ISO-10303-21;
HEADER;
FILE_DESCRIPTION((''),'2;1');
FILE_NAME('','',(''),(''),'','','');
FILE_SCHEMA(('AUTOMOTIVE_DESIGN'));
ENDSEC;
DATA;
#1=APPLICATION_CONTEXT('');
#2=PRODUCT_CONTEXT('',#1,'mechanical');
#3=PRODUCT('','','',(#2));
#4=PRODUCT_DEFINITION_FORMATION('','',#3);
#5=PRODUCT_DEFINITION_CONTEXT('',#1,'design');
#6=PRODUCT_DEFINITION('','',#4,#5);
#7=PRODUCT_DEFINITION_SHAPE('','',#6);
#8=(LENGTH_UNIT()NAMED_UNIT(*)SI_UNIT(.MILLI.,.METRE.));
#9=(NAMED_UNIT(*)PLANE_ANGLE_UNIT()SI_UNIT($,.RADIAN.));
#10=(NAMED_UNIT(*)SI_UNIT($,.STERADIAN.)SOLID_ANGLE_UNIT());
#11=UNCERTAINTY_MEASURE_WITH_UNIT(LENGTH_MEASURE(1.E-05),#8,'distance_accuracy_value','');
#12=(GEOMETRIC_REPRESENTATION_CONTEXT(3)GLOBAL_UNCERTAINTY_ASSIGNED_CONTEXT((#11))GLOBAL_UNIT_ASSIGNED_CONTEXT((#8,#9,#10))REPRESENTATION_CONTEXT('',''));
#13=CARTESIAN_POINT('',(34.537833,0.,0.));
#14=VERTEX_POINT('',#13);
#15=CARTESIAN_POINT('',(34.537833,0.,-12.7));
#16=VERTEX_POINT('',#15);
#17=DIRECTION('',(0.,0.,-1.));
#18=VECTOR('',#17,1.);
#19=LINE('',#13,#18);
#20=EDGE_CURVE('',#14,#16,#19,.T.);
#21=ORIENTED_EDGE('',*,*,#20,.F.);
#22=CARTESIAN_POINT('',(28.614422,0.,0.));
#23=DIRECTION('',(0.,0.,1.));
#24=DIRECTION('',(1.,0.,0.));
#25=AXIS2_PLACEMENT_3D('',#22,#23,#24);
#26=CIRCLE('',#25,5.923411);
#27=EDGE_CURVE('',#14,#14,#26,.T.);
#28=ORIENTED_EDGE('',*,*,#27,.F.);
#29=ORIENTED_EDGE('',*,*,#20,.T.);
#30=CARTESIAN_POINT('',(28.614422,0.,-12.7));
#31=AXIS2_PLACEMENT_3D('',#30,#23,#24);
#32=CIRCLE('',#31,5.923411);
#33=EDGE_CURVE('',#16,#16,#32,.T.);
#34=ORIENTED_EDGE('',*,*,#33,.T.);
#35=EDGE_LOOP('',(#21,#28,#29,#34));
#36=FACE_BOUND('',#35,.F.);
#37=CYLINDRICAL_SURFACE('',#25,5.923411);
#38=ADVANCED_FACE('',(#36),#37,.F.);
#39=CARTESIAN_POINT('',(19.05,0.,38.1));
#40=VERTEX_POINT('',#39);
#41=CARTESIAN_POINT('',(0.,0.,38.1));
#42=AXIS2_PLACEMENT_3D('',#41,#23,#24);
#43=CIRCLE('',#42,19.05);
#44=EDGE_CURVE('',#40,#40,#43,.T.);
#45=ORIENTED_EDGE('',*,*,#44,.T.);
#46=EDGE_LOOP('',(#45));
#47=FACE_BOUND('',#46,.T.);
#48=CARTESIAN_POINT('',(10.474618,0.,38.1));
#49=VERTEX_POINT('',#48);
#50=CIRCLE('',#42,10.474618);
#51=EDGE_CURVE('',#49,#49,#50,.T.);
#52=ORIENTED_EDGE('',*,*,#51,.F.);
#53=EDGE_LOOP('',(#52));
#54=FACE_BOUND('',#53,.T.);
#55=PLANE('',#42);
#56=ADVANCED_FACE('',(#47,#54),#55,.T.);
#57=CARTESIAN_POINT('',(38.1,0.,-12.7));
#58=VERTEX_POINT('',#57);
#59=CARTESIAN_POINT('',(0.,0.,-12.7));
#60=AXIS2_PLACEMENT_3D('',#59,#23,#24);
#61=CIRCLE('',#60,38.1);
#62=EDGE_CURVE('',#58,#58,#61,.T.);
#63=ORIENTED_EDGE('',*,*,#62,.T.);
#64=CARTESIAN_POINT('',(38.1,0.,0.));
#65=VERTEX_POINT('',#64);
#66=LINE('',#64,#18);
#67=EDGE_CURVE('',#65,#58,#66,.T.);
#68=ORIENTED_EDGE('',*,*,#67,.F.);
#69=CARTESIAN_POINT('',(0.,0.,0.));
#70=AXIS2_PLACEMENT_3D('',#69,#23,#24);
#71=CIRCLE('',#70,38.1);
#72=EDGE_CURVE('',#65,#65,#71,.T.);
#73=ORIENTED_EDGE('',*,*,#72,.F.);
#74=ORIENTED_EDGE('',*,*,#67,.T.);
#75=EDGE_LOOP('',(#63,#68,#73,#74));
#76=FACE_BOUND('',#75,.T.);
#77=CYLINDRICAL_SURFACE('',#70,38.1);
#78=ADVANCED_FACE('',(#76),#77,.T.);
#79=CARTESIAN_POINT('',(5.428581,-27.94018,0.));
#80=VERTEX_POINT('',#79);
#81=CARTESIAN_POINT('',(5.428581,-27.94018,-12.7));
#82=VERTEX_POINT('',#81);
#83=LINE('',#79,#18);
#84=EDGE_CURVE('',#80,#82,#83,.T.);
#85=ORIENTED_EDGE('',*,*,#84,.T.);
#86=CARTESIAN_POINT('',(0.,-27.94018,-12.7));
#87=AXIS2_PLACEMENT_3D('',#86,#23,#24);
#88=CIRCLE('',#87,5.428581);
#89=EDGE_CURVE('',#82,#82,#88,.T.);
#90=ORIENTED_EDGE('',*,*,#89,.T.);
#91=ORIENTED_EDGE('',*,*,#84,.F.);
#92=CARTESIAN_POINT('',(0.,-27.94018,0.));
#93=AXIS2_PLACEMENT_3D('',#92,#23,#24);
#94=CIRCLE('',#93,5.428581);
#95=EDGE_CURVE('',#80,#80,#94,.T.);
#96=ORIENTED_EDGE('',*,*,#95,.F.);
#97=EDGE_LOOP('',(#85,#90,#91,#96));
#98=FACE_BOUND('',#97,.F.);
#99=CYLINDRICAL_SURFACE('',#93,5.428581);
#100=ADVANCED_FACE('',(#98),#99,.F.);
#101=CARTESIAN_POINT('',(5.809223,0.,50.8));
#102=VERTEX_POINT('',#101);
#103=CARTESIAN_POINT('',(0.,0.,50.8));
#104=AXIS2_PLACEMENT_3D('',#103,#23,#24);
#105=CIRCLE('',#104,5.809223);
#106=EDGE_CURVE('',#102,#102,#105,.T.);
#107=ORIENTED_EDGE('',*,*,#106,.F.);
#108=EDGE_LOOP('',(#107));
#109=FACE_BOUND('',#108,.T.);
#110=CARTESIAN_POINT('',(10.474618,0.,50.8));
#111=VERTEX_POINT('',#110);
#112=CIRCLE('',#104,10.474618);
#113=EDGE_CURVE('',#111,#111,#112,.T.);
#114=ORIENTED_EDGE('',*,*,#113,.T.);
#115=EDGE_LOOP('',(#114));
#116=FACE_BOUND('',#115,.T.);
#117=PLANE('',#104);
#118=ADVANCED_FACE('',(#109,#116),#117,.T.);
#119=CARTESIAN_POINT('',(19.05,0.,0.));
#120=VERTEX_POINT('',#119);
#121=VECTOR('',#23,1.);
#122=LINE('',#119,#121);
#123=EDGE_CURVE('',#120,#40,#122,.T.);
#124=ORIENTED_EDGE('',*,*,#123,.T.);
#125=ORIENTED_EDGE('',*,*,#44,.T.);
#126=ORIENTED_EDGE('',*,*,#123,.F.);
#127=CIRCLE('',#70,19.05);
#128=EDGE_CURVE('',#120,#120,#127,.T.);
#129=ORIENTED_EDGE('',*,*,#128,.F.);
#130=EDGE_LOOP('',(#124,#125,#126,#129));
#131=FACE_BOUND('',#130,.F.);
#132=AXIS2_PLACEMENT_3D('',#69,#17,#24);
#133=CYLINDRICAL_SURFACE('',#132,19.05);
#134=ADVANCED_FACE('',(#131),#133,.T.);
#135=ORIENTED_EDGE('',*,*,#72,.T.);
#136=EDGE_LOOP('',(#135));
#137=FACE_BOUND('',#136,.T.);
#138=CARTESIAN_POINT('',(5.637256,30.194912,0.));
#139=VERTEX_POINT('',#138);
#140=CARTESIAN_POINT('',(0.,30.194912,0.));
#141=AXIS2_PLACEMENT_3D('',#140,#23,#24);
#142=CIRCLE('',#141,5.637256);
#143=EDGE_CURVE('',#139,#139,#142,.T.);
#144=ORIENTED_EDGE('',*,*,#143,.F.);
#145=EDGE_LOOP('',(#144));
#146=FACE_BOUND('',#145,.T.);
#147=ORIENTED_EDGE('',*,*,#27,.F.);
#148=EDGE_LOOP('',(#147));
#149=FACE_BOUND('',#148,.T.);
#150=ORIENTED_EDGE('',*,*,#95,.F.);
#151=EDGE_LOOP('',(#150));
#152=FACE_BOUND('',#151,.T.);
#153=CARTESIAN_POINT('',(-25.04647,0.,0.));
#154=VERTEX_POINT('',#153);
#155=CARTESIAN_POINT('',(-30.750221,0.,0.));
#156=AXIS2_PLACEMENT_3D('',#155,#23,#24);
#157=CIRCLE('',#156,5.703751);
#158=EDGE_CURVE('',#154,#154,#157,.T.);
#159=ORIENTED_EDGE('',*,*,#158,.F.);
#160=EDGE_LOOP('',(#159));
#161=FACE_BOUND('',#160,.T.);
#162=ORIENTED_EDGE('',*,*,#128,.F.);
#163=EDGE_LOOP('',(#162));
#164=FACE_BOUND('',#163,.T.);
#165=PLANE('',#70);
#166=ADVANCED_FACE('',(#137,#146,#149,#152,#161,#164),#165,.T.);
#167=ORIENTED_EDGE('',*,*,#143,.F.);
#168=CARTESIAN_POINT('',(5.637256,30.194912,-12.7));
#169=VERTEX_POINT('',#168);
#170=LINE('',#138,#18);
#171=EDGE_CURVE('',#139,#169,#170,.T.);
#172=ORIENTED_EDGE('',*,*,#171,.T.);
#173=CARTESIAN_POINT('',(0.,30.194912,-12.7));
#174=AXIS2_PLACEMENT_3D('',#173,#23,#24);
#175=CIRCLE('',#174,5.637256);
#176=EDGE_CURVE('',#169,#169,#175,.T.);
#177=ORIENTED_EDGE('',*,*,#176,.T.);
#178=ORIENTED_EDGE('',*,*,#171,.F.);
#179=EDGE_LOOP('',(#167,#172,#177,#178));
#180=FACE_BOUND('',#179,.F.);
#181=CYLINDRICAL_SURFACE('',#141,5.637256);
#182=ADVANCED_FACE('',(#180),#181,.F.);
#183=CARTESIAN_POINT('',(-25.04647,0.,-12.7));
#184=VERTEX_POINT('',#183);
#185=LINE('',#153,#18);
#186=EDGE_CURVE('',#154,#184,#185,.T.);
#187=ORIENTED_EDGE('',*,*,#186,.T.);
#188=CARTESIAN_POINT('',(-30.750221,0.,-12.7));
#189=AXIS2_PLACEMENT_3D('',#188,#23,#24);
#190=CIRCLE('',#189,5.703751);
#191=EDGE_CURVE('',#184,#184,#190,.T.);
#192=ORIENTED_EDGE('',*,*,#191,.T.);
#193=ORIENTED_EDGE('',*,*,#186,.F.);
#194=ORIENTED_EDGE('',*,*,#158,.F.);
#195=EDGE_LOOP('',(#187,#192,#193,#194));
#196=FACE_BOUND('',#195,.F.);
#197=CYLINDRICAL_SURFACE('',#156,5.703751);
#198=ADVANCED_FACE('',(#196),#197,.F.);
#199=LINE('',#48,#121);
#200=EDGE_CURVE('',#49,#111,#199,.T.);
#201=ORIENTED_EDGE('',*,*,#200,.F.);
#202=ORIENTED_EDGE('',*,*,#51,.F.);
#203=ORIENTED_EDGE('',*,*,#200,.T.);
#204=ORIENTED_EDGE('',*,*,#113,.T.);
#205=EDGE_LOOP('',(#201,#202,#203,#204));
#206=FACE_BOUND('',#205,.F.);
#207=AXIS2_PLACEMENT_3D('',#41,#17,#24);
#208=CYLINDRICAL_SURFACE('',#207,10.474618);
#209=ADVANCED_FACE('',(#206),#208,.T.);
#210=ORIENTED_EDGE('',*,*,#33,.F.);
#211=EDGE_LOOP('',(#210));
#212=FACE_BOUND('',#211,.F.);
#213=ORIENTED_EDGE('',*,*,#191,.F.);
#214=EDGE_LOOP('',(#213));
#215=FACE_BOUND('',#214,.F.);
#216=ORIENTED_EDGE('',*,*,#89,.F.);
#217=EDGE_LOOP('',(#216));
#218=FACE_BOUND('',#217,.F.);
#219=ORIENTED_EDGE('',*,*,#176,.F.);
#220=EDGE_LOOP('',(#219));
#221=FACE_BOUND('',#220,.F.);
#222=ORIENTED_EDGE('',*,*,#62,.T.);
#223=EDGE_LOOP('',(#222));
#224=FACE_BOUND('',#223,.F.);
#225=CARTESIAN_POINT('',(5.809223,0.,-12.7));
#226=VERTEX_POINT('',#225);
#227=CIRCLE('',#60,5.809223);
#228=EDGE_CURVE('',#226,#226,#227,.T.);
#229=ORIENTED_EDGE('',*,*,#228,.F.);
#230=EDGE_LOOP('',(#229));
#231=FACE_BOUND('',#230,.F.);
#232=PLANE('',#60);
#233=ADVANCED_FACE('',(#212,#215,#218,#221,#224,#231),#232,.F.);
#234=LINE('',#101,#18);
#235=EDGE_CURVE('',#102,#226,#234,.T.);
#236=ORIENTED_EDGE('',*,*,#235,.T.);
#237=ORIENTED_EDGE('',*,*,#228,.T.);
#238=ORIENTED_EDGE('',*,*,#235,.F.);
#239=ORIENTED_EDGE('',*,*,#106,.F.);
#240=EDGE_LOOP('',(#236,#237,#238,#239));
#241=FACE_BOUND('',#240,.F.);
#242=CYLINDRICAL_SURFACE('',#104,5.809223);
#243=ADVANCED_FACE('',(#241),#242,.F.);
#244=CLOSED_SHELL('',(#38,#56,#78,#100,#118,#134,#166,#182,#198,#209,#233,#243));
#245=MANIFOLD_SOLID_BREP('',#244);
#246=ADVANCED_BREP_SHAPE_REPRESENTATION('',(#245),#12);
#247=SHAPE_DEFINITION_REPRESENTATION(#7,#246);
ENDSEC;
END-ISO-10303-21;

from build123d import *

# Parameters (mm, degrees)
F0_R     = 38.1
F1_DEPTH = 12.7
F2_R     = 19.05
F3_DEPTH = 38.1
F4_R     = 10.474618
F5_DEPTH = 12.7
F6_R     = 5.428581
F6_R_2   = 5.923411
F6_R_3   = 5.637256
F6_R_4   = 5.703751
F7_DEPTH = 12.701
F8_R     = 5.809223
F9_DEPTH = 63.501


with BuildPart() as f1:
    # F0 (on Top) → F1 (new body)
    with BuildSketch(Plane.XY):
        Circle(F0_R)
    extrude(amount=-F1_DEPTH)

    # F2 (on face) → F3 (join)
    with BuildSketch(Plane.XY):
        Circle(F2_R)
    extrude(amount=F3_DEPTH)

    # F4 (on face) → F5 (join)
    with BuildSketch(Plane.XY.offset(38.1)):
        Circle(F4_R)
    extrude(amount=F5_DEPTH)

    # F6 (on face) → F7 (cut, through all)
    with BuildSketch(Plane.XY):
        with Locations((0, -27.94018)):
            Circle(F6_R)
        with Locations((28.614422, 0)):
            Circle(F6_R_2)
        with Locations((0, 30.194912)):
            Circle(F6_R_3)
        with Locations((-30.750221, 0)):
            Circle(F6_R_4)
    extrude(amount=-F7_DEPTH, mode=Mode.SUBTRACT)

    # F8 (on face) → F9 (cut, through all)
    with BuildSketch(Plane.XY.offset(50.8)):
        Circle(F8_R)
    extrude(amount=-F9_DEPTH, mode=Mode.SUBTRACT)


solid = f1.part
